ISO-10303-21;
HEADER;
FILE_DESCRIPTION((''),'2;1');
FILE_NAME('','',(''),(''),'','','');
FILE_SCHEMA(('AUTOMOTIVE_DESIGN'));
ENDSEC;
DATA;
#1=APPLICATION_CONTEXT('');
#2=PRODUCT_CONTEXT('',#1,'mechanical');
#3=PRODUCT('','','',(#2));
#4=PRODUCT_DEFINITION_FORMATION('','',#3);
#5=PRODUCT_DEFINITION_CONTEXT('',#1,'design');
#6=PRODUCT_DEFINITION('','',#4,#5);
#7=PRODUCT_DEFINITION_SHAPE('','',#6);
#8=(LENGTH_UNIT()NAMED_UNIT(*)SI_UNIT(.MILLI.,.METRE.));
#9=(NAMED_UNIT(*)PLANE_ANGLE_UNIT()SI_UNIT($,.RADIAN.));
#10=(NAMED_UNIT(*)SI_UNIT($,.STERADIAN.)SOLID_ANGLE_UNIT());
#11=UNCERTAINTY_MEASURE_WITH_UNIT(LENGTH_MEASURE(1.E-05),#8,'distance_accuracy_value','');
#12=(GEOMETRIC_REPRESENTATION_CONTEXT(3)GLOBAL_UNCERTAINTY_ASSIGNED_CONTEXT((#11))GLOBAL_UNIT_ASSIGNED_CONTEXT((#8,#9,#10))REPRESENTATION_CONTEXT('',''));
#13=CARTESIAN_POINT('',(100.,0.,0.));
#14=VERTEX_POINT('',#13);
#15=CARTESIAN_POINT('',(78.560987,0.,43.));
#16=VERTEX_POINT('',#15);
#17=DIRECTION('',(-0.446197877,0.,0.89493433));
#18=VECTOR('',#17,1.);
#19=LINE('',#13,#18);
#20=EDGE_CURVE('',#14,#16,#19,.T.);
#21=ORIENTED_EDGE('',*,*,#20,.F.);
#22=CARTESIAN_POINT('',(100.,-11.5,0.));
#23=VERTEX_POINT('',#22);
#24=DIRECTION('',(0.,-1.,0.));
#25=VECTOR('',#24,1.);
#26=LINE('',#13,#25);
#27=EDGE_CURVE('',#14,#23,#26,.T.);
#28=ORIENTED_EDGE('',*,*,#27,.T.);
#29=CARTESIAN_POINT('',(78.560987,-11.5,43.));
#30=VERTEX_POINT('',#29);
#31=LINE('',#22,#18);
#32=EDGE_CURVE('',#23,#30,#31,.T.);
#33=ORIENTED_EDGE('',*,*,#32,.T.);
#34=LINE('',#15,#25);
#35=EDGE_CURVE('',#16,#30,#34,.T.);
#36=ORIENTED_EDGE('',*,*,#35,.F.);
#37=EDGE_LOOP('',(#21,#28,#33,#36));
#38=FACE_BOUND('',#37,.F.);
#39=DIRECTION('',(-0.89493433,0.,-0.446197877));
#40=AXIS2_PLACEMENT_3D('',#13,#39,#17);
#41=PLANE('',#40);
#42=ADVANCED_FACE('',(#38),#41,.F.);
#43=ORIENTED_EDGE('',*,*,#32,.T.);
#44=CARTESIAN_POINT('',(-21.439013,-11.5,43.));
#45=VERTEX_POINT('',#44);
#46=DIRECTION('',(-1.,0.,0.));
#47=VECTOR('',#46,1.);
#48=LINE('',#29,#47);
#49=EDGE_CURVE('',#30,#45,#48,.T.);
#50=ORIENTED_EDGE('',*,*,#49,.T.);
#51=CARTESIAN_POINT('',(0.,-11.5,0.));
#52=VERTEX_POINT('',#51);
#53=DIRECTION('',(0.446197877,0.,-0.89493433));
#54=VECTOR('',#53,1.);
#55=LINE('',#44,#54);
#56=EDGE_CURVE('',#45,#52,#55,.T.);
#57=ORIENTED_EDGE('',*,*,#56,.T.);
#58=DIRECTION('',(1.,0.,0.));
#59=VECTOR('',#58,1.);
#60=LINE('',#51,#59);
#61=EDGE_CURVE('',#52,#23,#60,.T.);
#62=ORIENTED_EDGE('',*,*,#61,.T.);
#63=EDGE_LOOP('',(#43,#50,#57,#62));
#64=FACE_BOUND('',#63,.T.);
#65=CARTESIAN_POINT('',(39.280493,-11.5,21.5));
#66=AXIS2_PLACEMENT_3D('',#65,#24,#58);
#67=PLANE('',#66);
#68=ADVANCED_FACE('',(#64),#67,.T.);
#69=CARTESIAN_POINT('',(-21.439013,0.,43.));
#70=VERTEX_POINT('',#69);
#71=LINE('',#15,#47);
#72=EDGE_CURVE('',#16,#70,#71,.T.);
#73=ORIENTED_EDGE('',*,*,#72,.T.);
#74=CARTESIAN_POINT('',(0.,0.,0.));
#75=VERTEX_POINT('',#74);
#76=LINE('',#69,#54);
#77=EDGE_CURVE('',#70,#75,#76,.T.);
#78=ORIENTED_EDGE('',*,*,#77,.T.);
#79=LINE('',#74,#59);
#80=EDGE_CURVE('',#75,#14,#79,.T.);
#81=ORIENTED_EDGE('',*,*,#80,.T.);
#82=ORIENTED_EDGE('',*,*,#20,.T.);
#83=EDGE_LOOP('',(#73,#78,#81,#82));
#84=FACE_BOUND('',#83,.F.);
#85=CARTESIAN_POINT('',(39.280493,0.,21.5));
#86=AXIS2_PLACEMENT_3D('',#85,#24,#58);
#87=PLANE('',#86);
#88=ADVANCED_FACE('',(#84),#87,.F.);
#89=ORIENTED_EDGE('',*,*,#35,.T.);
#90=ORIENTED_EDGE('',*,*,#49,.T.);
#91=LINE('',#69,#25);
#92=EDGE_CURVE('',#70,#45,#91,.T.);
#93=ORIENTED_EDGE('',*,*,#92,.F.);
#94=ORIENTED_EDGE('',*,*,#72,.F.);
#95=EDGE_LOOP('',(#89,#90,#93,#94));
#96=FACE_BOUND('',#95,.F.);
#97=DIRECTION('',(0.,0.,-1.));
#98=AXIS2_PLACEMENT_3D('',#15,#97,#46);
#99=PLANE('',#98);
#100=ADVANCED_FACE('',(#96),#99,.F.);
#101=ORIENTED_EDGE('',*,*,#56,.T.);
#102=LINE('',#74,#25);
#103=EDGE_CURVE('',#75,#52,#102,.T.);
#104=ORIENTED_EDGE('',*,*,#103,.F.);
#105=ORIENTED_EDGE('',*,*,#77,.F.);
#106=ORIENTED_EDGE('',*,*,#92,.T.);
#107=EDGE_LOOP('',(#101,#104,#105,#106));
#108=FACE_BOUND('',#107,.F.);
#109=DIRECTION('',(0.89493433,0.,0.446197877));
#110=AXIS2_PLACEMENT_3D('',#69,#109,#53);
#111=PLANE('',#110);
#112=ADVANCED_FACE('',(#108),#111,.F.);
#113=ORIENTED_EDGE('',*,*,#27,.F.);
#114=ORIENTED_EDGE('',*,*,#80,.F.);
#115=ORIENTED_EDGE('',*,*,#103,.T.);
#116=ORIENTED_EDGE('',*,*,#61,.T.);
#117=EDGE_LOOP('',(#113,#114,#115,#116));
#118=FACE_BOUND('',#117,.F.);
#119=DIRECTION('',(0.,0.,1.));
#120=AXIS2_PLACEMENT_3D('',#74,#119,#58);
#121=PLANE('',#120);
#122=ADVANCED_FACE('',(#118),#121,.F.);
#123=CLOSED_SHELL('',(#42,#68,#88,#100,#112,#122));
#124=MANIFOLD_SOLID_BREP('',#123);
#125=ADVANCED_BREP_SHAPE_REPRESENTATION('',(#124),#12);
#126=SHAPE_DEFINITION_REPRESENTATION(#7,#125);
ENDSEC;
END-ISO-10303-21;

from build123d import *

# Parameters (mm, degrees)
PAD_DEPTH = 11.5


with BuildPart() as part:
    # Sketch → Pad (new body)
    with BuildSketch(Plane.XZ):
        Polygon((0, 0), (100, 0), (78.560987, 43), (-21.439013, 43), align=None)
    extrude(amount=PAD_DEPTH)


solid = part.part
